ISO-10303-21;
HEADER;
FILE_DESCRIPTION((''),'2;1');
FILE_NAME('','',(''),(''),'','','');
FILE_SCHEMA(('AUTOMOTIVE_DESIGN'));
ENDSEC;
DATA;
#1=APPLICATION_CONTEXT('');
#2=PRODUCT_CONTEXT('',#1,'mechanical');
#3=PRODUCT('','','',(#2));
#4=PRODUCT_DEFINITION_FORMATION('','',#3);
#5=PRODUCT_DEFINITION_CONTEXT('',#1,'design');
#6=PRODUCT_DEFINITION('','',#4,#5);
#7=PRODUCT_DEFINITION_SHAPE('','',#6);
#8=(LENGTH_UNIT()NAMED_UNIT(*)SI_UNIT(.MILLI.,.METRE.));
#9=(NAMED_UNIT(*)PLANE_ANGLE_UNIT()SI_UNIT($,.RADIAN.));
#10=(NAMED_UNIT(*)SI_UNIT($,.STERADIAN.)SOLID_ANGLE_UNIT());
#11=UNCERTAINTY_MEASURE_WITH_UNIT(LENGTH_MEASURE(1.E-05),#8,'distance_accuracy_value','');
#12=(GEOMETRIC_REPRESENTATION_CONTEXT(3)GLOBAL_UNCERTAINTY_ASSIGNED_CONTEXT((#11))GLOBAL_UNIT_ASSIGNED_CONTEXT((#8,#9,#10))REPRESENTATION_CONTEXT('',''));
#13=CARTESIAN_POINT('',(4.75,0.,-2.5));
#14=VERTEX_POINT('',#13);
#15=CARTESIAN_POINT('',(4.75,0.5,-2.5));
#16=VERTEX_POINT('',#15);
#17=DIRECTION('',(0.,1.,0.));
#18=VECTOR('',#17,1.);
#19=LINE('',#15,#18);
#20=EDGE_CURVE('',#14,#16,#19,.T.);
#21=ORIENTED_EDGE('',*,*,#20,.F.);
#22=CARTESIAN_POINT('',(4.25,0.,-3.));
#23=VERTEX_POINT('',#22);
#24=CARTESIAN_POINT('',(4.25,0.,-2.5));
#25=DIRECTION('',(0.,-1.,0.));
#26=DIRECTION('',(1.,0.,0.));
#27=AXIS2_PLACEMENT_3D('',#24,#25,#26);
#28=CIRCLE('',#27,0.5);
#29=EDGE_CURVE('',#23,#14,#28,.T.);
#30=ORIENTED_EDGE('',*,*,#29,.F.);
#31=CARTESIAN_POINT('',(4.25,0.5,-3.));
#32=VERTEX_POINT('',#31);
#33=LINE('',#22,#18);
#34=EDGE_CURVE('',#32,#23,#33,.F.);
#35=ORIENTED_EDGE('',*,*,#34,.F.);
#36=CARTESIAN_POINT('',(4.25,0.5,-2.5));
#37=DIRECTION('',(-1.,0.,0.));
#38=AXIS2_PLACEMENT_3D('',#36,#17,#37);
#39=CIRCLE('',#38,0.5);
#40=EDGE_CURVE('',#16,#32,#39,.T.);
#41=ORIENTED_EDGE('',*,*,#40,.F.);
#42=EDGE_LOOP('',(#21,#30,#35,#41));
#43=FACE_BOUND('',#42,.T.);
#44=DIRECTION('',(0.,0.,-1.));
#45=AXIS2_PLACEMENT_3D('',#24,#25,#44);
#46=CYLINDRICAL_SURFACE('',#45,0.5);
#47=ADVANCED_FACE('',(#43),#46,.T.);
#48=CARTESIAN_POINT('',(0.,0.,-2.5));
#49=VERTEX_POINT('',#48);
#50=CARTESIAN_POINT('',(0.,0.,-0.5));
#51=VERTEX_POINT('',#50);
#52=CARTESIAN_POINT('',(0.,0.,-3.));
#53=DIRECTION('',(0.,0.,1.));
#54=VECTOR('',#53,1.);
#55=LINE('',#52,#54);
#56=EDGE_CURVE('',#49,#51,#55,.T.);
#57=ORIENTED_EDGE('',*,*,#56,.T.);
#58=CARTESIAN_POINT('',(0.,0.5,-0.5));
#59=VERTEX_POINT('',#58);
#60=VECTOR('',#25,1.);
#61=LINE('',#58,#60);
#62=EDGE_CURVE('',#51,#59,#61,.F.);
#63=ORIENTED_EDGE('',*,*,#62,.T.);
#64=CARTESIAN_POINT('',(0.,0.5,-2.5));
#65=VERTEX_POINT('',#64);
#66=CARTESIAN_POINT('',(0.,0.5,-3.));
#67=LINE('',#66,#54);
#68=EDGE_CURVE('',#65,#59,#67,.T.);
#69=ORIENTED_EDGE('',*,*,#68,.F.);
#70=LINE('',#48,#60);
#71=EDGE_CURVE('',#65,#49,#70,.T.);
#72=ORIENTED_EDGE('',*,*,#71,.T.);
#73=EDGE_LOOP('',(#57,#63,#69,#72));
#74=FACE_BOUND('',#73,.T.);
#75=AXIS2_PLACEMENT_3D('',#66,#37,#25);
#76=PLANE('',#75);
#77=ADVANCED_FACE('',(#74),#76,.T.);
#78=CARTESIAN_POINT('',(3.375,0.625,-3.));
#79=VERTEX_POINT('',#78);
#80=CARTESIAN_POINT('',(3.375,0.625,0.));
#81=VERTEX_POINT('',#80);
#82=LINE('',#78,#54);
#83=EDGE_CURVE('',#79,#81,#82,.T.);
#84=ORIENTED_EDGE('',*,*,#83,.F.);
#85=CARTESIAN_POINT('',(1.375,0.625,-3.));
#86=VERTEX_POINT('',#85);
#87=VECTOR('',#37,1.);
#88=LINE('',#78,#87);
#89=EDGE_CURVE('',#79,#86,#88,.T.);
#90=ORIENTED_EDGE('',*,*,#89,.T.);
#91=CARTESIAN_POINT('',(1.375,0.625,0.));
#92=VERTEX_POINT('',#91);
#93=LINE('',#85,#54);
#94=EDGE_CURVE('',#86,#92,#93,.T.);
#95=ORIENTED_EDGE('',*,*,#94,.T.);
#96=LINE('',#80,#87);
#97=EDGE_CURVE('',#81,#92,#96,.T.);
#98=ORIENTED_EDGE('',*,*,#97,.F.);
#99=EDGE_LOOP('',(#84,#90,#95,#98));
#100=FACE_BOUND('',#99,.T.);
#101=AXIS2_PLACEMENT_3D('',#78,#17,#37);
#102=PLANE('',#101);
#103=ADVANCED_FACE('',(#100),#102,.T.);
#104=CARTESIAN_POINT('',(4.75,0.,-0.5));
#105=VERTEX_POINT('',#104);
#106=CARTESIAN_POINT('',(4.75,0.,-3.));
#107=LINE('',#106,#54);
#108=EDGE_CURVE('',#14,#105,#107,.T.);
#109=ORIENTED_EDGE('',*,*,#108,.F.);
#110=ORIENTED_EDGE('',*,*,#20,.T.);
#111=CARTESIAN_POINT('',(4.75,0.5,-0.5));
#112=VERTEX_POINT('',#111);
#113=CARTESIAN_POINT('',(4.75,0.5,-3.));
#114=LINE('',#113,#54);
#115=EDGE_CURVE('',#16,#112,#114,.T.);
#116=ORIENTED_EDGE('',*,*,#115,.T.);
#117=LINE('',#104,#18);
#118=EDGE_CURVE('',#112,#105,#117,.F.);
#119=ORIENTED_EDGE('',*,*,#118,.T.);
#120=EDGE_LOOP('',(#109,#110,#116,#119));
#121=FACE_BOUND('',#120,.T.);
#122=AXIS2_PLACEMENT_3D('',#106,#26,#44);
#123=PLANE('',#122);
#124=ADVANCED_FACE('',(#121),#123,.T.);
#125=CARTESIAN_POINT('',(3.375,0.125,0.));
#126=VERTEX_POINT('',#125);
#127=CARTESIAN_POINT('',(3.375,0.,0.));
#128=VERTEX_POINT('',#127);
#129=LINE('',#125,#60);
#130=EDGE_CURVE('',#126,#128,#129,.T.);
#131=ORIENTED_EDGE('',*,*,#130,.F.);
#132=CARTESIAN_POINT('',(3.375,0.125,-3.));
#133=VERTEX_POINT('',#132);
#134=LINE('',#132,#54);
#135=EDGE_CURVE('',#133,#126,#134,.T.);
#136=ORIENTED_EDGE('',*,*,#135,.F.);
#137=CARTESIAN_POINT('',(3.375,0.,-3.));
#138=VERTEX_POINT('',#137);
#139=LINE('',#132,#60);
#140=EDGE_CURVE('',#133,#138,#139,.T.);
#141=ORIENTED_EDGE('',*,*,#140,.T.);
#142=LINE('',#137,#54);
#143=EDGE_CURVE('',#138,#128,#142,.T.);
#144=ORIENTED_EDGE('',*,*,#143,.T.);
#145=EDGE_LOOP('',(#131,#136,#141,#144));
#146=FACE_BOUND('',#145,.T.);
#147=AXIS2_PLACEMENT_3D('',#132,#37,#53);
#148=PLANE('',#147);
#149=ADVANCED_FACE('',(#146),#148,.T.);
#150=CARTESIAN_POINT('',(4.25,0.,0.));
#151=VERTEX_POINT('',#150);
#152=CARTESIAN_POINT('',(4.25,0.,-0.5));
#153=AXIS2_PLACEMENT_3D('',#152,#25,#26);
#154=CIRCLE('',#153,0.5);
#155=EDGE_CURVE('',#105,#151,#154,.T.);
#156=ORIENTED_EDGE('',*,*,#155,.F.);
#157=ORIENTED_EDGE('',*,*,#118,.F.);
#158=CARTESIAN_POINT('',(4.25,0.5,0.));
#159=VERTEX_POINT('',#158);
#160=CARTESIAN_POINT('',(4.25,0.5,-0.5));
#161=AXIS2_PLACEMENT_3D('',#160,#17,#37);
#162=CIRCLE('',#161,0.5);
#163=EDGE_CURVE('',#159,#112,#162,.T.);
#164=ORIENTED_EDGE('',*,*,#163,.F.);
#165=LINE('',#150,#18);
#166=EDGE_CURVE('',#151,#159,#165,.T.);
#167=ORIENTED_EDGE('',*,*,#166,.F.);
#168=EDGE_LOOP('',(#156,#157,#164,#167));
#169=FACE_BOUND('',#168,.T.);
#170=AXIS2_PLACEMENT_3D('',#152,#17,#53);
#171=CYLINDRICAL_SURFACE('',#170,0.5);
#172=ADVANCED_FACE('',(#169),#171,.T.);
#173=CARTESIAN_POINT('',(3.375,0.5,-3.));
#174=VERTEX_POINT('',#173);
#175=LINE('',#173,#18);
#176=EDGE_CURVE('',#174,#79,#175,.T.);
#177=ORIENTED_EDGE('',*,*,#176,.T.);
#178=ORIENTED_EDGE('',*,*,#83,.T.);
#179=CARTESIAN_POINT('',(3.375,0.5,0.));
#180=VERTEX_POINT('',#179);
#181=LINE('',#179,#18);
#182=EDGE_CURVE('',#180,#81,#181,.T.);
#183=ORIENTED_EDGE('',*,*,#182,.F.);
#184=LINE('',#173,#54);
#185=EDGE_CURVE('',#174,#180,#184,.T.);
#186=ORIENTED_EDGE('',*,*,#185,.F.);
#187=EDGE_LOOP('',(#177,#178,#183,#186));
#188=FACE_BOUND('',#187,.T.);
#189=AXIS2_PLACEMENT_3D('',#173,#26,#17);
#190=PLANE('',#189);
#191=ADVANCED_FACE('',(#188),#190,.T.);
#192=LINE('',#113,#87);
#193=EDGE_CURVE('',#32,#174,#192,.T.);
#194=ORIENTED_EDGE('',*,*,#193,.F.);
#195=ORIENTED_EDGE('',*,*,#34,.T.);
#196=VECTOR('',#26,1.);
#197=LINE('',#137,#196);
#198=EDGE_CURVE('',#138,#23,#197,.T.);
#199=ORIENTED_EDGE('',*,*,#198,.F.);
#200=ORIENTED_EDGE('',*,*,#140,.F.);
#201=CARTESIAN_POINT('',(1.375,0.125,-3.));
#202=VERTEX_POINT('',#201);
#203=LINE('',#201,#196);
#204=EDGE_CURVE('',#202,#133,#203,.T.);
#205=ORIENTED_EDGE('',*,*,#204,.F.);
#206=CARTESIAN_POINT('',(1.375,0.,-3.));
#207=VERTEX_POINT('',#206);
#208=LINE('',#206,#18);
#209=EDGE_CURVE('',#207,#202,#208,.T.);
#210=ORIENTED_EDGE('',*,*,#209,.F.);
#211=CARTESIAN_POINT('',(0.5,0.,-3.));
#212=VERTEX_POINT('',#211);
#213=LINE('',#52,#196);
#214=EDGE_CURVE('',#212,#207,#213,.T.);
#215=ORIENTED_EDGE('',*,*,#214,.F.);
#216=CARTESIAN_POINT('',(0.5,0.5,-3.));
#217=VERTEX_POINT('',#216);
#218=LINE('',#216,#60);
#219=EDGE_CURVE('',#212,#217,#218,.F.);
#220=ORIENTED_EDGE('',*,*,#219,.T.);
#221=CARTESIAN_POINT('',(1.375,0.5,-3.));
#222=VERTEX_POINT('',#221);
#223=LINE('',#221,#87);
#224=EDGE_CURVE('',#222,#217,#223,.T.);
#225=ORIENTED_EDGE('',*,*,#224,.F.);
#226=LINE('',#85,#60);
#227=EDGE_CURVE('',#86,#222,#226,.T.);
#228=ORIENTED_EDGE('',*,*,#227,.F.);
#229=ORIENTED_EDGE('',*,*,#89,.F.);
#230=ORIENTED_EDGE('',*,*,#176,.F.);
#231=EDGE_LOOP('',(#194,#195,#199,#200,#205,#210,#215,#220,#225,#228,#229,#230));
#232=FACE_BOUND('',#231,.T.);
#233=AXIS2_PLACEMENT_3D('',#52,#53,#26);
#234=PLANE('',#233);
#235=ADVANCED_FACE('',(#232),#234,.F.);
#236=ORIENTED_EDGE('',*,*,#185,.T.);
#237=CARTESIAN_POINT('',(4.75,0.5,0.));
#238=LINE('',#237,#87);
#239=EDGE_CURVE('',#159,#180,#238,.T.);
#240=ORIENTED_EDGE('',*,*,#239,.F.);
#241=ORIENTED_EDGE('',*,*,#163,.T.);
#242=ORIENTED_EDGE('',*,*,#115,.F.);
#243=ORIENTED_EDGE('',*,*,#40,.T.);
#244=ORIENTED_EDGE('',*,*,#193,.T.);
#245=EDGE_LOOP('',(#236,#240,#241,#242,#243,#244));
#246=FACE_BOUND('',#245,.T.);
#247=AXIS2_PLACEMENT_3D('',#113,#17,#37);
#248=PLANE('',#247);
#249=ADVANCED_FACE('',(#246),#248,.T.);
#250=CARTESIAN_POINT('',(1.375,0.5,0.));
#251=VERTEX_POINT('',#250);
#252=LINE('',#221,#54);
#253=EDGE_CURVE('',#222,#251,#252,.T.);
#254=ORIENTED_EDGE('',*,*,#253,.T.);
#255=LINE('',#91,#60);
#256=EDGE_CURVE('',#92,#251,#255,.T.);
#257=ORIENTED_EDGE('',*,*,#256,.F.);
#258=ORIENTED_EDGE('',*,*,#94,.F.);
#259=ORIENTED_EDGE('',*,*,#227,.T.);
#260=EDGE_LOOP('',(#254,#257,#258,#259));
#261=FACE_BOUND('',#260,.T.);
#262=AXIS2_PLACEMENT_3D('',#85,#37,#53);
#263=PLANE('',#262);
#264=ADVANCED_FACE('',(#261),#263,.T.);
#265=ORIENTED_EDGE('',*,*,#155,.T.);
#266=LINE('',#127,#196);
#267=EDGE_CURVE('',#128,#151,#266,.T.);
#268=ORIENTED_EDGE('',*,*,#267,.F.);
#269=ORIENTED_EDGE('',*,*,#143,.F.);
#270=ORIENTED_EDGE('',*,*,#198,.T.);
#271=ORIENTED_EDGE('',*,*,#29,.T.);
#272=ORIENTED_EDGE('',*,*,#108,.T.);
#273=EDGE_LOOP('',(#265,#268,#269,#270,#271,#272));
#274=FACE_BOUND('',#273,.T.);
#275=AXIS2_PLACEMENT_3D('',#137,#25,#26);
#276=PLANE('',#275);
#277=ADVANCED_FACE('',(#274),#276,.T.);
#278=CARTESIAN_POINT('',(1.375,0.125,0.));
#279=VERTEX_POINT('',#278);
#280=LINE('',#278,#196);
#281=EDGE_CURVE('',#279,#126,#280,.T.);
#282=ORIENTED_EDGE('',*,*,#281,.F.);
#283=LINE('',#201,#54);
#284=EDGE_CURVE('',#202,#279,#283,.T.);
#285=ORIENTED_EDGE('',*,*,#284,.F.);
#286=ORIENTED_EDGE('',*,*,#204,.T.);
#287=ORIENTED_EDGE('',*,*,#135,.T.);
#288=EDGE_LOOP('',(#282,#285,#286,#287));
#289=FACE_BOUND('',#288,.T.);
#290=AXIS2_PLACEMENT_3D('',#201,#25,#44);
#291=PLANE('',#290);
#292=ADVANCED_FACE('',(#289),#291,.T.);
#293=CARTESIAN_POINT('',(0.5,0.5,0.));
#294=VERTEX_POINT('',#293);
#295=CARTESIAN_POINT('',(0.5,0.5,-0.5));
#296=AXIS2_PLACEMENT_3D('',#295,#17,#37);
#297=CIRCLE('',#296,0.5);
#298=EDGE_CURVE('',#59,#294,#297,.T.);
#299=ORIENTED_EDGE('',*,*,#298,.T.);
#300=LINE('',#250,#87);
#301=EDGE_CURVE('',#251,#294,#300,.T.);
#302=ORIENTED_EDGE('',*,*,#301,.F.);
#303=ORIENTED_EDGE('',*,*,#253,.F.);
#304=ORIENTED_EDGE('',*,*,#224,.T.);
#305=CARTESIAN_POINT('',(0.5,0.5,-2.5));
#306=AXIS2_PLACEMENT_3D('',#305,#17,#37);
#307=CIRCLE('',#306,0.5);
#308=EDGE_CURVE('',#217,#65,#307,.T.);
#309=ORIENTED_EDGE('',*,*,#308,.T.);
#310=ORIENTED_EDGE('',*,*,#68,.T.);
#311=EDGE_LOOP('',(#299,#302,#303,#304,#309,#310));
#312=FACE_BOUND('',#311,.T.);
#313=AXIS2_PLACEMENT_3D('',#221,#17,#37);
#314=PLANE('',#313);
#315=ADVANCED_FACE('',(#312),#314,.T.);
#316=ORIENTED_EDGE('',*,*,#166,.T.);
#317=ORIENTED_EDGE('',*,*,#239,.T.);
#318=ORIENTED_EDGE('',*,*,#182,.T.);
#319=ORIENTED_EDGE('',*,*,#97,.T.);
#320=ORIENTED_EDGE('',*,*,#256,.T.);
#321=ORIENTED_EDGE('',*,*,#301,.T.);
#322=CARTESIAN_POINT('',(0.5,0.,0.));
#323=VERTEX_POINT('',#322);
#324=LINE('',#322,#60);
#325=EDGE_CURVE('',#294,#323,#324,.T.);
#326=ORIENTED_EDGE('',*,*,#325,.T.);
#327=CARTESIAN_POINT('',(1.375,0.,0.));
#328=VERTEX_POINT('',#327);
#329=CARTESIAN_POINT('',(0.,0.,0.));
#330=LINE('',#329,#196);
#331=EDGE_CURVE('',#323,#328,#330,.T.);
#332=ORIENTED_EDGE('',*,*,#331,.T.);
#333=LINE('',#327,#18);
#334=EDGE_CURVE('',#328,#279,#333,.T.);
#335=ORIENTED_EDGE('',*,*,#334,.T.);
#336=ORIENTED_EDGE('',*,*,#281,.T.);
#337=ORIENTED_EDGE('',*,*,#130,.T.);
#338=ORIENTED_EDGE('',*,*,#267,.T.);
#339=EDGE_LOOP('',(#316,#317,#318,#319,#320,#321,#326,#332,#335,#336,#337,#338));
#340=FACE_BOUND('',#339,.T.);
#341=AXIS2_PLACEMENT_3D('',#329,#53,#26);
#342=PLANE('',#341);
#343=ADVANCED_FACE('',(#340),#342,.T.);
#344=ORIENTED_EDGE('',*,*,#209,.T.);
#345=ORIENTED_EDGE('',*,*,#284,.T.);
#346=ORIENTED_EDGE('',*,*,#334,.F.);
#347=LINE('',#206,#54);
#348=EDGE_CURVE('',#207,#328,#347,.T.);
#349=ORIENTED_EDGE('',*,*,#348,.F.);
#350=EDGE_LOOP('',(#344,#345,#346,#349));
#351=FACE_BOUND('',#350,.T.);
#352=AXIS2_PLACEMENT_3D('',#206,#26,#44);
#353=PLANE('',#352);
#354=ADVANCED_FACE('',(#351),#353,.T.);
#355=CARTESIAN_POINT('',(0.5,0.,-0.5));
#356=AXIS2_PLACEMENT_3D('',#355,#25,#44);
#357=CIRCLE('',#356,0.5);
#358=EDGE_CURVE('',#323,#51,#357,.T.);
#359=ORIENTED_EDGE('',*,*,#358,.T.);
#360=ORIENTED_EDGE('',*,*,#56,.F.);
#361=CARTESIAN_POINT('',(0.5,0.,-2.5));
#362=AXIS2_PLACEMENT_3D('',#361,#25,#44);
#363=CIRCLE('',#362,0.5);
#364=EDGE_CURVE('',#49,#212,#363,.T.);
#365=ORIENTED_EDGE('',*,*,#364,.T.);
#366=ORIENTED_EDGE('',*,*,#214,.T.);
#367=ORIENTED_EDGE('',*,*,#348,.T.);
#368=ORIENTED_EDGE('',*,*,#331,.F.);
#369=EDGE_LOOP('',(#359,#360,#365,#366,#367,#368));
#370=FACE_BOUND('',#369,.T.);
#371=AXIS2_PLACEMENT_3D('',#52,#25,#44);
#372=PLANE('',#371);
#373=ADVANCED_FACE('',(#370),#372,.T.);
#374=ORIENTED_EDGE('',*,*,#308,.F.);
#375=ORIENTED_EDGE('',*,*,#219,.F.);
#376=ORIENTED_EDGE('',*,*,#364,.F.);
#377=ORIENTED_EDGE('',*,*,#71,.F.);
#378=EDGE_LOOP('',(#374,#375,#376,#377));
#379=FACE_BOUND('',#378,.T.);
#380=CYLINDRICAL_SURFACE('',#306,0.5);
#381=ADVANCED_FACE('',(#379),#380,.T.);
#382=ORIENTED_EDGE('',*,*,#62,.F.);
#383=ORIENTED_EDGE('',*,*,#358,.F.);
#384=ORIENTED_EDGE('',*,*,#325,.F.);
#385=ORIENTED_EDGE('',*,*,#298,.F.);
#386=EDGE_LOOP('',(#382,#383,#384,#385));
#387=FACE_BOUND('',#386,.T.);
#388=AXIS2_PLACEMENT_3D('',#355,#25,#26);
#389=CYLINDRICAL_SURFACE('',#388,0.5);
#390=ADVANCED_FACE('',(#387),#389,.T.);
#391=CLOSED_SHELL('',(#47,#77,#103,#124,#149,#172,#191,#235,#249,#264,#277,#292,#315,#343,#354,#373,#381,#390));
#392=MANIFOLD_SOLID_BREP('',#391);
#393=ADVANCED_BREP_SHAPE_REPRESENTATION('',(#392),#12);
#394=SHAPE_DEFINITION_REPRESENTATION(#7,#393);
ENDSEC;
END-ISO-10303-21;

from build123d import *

# Parameters (mm, degrees)
BOSS_EXTRUDE1_DEPTH = 3
FILLET1_R           = 0.5


with BuildPart() as part:
    # Sketch1 → Boss-Extrude1 (new body)
    with BuildSketch(Plane.XY):
        Polygon((0, 0), (1.375, 0), (1.375, 0.125), (3.375, 0.125), (3.375, 0), (4.75, 0), (4.75, 0.5), (3.375, 0.5), (3.375, 0.625), (1.375, 0.625), (1.375, 0.5), (0, 0.5), align=None)
    extrude(amount=-BOSS_EXTRUDE1_DEPTH)

    # Fillet1
    fillet1_edges = [part.edges().sort_by_distance(p)[0] for p in [
        (4.75, 0.25, 0),
        (0, 0.25, 0),
        (4.75, 0.25, -3),
        (0, 0.25, -3),
    ]]
    fillet(fillet1_edges, radius=FILLET1_R)


solid = part.part
